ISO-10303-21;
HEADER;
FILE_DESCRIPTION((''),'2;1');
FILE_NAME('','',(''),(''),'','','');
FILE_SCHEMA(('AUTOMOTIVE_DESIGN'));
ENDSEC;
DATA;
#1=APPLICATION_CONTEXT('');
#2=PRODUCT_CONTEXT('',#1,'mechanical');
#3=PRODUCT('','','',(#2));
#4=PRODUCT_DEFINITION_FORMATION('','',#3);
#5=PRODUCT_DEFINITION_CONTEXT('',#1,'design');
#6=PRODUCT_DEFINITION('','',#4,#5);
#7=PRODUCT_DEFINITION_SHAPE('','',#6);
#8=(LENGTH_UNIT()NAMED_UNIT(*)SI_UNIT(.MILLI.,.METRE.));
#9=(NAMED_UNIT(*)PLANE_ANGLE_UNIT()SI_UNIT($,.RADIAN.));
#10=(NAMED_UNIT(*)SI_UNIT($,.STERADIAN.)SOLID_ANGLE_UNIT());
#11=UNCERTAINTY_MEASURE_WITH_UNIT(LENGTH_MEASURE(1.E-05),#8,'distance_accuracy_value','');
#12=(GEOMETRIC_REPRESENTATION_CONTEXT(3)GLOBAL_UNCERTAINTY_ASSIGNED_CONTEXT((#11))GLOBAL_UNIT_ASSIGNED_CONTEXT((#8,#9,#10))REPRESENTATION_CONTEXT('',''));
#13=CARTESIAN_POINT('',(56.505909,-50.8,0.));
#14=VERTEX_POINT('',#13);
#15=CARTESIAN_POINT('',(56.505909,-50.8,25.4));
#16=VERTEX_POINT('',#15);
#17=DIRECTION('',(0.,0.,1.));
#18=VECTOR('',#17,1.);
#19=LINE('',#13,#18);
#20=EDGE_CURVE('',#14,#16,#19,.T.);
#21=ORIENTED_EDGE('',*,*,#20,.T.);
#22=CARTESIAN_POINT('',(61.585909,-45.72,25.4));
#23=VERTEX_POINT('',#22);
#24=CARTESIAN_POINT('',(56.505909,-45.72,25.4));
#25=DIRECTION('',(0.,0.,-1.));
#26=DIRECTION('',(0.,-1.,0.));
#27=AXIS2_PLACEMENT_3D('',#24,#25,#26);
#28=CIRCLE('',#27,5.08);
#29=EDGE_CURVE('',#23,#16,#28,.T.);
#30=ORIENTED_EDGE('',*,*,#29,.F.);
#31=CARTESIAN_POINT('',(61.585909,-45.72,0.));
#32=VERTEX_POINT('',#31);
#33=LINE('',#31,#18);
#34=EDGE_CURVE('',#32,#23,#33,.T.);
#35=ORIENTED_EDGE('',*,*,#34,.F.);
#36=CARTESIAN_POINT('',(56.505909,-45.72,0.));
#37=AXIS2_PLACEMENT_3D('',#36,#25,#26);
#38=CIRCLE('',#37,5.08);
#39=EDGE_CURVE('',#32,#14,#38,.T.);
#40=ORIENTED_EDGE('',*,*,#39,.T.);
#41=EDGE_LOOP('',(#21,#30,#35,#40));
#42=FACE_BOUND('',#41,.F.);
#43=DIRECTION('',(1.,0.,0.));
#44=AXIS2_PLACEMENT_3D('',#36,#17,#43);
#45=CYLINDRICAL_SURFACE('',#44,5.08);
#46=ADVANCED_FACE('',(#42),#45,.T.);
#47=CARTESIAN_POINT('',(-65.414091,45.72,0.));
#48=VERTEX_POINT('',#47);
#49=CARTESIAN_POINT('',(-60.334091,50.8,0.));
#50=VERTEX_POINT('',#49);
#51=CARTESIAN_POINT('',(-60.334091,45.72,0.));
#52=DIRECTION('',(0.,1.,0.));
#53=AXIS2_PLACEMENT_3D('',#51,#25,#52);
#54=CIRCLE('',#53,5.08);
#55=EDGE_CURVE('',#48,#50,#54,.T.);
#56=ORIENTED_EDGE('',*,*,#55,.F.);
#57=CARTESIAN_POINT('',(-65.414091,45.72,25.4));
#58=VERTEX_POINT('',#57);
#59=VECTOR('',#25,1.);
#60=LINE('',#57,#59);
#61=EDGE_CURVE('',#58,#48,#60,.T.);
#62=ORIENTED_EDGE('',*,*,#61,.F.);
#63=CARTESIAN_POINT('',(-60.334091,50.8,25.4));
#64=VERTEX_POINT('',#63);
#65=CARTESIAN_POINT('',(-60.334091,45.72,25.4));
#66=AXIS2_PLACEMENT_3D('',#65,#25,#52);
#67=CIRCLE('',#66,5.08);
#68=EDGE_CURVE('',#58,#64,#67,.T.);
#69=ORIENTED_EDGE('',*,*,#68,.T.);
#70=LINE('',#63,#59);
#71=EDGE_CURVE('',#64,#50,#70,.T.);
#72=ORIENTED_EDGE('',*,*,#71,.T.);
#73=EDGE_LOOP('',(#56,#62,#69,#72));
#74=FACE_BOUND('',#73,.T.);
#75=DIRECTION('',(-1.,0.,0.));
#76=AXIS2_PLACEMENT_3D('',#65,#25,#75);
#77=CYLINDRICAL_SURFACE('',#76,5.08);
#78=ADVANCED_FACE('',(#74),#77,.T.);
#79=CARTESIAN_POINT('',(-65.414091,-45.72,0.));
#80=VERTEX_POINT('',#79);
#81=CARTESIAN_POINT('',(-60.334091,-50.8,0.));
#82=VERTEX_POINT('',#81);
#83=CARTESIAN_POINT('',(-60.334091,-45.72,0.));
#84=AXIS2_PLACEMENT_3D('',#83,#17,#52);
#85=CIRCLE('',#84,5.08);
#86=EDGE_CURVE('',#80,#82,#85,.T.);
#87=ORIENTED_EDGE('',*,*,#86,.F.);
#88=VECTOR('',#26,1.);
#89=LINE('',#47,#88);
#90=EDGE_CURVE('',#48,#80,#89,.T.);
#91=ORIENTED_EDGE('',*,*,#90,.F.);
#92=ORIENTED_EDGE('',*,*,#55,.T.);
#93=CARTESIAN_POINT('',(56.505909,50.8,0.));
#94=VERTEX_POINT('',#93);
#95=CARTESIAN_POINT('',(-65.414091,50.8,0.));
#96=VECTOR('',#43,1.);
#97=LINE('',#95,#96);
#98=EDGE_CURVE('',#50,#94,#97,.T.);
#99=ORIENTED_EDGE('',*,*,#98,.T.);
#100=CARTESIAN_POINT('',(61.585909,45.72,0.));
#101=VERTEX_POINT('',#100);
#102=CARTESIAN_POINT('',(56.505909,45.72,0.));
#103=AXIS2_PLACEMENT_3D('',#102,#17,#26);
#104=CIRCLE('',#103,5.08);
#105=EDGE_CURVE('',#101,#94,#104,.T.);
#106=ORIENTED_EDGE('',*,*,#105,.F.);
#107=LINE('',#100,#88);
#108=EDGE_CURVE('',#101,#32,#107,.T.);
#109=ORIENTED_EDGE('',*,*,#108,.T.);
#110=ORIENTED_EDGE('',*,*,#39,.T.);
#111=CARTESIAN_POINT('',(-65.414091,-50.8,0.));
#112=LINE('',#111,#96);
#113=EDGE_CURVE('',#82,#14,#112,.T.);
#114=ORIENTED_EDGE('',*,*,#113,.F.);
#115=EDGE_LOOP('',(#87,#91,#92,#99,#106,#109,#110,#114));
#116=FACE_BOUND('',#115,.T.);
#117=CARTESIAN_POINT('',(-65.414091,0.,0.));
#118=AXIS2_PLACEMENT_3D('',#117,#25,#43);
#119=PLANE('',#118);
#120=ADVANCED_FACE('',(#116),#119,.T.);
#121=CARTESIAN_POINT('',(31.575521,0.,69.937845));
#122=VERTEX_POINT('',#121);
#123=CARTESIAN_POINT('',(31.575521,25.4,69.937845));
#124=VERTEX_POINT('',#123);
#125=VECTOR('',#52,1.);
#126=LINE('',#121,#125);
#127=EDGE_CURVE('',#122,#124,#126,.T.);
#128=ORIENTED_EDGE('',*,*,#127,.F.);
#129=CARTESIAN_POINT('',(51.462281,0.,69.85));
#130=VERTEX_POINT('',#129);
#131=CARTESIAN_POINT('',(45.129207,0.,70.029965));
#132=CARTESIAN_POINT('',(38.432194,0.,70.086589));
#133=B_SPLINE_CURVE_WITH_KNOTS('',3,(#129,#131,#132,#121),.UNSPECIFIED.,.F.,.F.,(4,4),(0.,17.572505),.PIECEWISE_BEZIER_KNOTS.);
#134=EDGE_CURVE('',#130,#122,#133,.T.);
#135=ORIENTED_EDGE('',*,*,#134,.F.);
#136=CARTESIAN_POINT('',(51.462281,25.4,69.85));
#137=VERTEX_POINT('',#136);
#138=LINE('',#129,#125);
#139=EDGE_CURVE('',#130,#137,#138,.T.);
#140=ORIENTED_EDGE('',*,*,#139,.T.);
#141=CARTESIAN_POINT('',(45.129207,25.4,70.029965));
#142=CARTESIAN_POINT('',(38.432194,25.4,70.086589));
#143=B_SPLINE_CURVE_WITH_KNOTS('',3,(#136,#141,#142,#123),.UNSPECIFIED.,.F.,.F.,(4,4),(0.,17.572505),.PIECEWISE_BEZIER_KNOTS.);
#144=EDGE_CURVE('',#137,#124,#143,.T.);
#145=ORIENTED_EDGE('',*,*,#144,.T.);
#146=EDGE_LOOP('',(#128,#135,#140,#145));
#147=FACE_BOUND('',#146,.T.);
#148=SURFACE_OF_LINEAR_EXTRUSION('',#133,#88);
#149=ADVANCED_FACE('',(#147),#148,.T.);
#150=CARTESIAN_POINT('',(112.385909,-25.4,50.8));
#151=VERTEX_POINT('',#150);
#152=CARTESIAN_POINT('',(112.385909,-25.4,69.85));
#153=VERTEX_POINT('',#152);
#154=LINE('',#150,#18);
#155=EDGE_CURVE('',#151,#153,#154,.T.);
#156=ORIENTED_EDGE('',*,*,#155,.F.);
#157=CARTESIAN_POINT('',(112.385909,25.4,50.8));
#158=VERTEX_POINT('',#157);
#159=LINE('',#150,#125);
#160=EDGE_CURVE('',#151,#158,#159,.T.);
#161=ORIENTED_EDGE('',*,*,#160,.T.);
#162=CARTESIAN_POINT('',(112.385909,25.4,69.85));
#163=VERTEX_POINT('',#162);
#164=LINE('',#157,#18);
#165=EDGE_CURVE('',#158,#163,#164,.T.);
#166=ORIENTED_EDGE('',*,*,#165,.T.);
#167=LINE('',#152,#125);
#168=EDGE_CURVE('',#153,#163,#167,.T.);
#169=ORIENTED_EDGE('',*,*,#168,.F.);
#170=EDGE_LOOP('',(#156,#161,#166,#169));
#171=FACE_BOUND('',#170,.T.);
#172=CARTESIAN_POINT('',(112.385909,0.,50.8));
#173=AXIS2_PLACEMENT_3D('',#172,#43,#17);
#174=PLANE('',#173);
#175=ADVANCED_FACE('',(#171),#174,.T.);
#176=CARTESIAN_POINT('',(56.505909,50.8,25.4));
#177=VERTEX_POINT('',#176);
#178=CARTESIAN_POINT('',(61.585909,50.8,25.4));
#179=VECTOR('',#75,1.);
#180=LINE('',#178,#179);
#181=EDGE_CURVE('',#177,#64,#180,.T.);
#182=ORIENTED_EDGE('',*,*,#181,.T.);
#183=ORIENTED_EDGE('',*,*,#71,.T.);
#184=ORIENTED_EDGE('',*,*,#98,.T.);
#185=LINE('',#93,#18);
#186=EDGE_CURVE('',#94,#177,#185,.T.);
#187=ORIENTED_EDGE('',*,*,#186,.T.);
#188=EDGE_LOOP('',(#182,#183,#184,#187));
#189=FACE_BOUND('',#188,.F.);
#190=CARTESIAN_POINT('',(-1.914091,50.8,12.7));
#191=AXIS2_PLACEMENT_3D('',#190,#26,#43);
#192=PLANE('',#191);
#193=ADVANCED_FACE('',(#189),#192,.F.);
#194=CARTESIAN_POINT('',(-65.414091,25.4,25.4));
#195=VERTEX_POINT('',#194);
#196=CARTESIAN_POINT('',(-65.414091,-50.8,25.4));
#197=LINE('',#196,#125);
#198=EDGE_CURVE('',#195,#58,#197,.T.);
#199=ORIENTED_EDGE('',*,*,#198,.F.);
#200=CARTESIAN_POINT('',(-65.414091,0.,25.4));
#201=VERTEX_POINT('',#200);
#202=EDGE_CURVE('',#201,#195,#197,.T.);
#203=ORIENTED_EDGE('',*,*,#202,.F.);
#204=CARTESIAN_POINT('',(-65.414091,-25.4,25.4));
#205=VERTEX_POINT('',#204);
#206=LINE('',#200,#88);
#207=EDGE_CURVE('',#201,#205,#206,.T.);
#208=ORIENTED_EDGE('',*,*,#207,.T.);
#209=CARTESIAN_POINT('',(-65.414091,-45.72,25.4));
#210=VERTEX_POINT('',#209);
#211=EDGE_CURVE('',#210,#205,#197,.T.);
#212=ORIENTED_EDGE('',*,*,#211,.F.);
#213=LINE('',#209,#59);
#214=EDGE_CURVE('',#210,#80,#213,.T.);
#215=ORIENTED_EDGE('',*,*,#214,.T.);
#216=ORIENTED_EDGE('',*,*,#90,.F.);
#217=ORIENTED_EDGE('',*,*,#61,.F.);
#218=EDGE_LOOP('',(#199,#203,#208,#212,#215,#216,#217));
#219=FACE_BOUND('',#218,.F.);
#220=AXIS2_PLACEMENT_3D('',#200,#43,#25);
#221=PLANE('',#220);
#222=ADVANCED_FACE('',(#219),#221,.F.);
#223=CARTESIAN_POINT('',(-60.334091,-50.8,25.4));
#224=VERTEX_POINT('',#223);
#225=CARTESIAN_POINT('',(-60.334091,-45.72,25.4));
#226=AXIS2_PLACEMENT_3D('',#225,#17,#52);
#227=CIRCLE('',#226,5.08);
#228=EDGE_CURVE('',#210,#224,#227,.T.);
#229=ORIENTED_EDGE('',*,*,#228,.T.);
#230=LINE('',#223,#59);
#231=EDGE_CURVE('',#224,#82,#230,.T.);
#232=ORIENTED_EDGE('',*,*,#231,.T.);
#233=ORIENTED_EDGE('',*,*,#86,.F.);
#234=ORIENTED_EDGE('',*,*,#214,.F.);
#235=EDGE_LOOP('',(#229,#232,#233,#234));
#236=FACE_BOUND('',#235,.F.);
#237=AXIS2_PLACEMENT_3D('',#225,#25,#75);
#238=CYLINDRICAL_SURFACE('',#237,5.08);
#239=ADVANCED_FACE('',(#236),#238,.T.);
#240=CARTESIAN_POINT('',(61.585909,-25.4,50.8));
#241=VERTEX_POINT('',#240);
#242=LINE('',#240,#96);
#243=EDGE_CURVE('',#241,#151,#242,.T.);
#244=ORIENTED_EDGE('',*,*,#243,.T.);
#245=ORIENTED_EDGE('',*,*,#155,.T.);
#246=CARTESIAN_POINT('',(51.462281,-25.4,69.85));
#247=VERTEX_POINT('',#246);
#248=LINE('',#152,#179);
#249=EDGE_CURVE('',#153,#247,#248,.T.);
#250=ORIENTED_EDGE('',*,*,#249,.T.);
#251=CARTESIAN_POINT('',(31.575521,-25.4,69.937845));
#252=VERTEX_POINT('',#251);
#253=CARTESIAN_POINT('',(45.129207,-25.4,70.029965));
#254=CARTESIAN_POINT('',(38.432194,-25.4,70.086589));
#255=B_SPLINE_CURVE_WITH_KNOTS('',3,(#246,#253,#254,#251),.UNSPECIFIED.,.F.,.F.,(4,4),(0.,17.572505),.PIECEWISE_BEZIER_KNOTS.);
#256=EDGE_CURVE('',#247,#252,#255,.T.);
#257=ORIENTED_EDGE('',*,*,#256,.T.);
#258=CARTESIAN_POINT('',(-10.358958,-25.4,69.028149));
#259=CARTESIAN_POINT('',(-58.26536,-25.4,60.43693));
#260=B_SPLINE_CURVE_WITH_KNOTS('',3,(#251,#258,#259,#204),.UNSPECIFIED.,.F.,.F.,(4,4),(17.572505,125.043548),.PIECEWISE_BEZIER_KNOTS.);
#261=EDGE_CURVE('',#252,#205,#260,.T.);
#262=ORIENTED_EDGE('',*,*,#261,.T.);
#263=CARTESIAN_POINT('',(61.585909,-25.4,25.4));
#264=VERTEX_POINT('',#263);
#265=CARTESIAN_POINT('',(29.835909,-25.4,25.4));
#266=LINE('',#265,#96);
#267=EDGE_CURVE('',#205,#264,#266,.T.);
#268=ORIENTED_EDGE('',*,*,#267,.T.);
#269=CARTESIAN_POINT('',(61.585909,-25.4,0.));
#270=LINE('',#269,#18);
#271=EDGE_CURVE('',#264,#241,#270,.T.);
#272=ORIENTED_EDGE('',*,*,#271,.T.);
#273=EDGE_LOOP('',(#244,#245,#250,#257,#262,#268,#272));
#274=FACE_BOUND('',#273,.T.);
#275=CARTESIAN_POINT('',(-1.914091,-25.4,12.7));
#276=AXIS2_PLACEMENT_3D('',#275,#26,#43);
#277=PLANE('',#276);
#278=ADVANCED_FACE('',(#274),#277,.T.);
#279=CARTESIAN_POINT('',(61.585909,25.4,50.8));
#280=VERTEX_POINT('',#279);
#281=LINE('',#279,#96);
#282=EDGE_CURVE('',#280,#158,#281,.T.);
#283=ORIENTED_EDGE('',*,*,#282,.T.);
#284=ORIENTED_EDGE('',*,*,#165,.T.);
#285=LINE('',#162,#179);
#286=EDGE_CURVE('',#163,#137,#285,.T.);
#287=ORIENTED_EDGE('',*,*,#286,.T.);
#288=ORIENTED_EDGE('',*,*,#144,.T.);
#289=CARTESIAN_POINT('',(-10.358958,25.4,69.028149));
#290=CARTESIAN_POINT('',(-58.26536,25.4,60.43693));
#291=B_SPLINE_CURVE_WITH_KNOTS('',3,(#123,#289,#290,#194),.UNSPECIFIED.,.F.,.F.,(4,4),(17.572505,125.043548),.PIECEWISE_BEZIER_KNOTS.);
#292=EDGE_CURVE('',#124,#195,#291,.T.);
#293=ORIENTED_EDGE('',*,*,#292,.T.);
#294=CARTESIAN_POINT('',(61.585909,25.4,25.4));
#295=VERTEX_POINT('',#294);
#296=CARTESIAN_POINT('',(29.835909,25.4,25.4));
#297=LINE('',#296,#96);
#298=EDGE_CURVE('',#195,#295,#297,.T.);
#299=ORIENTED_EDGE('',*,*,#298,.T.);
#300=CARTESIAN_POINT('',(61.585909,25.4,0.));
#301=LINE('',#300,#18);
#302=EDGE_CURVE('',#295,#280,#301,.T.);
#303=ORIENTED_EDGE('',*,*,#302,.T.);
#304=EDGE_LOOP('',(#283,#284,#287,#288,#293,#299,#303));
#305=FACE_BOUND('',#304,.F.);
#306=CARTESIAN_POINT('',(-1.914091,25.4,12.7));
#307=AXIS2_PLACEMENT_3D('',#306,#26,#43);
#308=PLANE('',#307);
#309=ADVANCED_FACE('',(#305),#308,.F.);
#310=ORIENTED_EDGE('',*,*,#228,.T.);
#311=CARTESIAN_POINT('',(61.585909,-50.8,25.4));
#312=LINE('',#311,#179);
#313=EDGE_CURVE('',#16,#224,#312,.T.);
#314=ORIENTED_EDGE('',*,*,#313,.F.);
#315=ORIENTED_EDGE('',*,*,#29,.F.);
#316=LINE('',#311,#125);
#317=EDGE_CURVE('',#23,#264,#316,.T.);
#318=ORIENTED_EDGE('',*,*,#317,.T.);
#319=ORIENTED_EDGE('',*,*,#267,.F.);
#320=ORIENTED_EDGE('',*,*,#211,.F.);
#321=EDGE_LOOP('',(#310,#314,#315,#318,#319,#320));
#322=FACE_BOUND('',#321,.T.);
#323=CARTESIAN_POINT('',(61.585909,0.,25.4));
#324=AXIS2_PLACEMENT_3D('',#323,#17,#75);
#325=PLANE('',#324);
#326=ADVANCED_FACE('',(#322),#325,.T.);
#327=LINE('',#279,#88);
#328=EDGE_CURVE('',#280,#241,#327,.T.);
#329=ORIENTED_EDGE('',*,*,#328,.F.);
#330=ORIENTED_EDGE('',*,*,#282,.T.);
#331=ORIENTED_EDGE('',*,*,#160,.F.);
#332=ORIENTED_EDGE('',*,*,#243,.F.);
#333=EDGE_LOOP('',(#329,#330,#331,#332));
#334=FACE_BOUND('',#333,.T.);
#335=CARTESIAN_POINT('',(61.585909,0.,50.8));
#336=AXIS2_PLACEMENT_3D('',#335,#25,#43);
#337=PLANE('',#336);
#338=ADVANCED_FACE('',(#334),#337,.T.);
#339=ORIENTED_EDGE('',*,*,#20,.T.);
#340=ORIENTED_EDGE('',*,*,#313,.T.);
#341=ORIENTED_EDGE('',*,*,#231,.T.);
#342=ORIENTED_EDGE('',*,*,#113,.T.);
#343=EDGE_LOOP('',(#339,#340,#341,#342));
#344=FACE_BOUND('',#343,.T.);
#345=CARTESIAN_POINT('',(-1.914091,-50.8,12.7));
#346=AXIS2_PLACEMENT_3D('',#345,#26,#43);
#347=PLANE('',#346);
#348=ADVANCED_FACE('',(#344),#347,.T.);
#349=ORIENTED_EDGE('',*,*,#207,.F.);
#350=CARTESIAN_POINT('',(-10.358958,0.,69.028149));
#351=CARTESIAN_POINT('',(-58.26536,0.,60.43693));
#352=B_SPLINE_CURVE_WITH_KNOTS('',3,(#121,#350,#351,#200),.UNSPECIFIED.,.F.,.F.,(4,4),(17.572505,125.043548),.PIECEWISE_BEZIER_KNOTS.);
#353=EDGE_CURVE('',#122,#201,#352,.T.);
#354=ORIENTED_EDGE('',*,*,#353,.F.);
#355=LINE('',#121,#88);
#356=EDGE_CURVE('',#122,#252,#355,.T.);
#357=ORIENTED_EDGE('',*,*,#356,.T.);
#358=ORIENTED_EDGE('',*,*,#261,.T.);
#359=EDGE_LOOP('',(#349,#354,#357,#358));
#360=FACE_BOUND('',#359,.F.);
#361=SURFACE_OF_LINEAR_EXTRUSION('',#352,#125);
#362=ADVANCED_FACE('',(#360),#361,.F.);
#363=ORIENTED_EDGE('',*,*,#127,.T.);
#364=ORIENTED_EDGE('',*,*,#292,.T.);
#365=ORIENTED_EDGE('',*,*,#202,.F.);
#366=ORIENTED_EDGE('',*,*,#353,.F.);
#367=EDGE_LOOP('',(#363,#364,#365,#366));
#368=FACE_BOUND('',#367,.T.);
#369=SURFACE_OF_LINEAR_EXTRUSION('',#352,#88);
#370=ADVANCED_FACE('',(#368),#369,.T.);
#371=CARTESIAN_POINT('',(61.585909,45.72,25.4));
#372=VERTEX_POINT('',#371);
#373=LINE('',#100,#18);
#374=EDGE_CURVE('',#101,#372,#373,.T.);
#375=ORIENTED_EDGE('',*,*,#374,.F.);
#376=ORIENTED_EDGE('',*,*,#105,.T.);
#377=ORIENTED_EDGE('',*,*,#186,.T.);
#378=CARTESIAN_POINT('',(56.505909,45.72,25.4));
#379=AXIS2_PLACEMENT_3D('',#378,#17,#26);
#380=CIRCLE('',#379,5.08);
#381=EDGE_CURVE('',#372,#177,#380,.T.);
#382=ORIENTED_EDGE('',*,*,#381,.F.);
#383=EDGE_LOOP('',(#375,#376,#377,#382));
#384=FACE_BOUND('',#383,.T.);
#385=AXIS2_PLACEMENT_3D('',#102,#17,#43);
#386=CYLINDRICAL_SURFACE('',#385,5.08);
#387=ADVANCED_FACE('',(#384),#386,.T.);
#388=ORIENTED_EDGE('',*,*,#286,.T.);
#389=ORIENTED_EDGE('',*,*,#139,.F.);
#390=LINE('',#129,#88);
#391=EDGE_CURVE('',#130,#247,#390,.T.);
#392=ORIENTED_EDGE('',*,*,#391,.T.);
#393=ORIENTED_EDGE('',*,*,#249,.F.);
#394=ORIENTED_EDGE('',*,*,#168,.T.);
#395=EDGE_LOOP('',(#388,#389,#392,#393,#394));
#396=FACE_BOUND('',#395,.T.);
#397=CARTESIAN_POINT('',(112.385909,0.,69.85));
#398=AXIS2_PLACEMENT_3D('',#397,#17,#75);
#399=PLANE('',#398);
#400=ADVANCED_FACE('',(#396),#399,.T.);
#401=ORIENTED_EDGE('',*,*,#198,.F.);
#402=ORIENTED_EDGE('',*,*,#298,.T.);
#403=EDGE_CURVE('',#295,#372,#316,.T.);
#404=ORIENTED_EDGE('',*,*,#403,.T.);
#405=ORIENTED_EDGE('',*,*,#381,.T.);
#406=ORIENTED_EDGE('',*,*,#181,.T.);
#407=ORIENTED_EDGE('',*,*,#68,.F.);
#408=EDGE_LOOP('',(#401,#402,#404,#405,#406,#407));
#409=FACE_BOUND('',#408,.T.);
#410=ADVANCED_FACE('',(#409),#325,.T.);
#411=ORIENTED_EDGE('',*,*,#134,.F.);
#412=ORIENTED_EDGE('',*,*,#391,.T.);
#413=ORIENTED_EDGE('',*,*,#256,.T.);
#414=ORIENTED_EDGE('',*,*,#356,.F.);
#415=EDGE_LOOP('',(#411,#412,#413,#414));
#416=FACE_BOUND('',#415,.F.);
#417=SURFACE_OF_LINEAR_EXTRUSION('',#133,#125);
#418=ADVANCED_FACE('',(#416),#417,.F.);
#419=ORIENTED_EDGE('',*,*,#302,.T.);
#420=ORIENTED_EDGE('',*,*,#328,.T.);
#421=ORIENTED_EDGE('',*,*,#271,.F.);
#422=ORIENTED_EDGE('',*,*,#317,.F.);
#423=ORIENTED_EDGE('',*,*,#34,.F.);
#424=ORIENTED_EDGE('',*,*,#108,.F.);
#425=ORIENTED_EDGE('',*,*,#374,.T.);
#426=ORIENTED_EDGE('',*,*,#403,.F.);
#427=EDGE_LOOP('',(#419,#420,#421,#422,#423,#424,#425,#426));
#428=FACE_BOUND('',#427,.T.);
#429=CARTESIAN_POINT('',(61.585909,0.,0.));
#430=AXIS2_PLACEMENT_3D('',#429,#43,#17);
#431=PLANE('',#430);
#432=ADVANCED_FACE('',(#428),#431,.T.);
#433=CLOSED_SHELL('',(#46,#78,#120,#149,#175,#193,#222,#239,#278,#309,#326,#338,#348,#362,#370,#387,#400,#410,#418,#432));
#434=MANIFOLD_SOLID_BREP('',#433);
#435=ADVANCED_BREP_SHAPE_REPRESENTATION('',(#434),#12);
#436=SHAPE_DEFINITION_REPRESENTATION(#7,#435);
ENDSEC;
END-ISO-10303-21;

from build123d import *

# Parameters (mm, degrees)
F1_DEPTH      = 50.8
F1_DEPTH_BACK = 50.8
F2_R          = 5.08
F0_W          = 25.4
F0_H          = 25.4
F3_DEPTH      = 25.4
F3_DEPTH_BACK = 25.4


with BuildPart() as f1:
    # F0 (on Front) → F1 (new body, two sides)
    with BuildSketch(Plane.XZ) as f1_sk:
        Polygon((-65.414091, 25.4), (-65.414091, 0), (61.585909, 0), (61.585909, 25.4), (36.185909, 25.4), (-8.589925, 25.4), align=None)
    extrude(amount=F1_DEPTH)
    extrude(f1_sk.sketch, amount=-F1_DEPTH_BACK)

    # F2
    f2_edges = [f1.edges().sort_by_distance(p)[0] for p in [
        (61.585909, -50.8, 12.7),
        (61.585909, 50.8, 12.7),
        (-65.414091, 50.8, 12.7),
        (-65.414091, -50.8, 12.7),
    ]]
    fillet(f2_edges, radius=F2_R)

    # F0 (on Front) → F3 (join, two sides)
    with BuildSketch(Plane.XZ) as f3_sk:
        Polygon((-65.414091, 25.4), (-65.414091, 0), (61.585909, 0), (61.585909, 25.4), (36.185909, 25.4), (-8.589925, 25.4), align=None)
        with BuildLine():
            add(Edge.make_bspline(
                [(31.575521, 69.937845), (-10.358958, 69.028149), (-58.26536, 60.43693), (-65.414091, 25.4)],
                knots=[17.572505, 17.572505, 17.572505, 17.572505, 125.043548, 125.043548, 125.043548, 125.043548], degree=3))
            Line((-65.414091, 25.4), (-8.589925, 25.4))
            ThreePointArc((-8.589925, 25.4), (2.934524, 55.387008), (31.575521, 69.937845))
        make_face()
        with Locations((48.885909, 38.1)):
            Rectangle(F0_W, F0_H)
        with BuildLine():
            ThreePointArc((31.575521, 69.937845), (2.934524, 55.387008), (-8.589925, 25.4))
            Line((-8.589925, 25.4), (36.185909, 25.4))
            Line((36.185909, 25.4), (36.185909, 50.8))
            Line((36.185909, 50.8), (36.185909, 69.85))
            Line((36.185909, 69.85), (51.462281, 69.85))
            add(Edge.make_bspline(
                [(51.462281, 69.85), (45.129207, 70.029965), (38.432194, 70.086589), (31.575521, 69.937845)],
                knots=[0, 0, 0, 0, 17.572505, 17.572505, 17.572505, 17.572505], degree=3))
        make_face()
        Polygon((36.185909, 50.8), (61.585909, 50.8), (112.385909, 50.8), (112.385909, 69.85), (51.462281, 69.85), (36.185909, 69.85), align=None)
    extrude(amount=F3_DEPTH)
    extrude(f3_sk.sketch, amount=-F3_DEPTH_BACK)


solid = f1.part
